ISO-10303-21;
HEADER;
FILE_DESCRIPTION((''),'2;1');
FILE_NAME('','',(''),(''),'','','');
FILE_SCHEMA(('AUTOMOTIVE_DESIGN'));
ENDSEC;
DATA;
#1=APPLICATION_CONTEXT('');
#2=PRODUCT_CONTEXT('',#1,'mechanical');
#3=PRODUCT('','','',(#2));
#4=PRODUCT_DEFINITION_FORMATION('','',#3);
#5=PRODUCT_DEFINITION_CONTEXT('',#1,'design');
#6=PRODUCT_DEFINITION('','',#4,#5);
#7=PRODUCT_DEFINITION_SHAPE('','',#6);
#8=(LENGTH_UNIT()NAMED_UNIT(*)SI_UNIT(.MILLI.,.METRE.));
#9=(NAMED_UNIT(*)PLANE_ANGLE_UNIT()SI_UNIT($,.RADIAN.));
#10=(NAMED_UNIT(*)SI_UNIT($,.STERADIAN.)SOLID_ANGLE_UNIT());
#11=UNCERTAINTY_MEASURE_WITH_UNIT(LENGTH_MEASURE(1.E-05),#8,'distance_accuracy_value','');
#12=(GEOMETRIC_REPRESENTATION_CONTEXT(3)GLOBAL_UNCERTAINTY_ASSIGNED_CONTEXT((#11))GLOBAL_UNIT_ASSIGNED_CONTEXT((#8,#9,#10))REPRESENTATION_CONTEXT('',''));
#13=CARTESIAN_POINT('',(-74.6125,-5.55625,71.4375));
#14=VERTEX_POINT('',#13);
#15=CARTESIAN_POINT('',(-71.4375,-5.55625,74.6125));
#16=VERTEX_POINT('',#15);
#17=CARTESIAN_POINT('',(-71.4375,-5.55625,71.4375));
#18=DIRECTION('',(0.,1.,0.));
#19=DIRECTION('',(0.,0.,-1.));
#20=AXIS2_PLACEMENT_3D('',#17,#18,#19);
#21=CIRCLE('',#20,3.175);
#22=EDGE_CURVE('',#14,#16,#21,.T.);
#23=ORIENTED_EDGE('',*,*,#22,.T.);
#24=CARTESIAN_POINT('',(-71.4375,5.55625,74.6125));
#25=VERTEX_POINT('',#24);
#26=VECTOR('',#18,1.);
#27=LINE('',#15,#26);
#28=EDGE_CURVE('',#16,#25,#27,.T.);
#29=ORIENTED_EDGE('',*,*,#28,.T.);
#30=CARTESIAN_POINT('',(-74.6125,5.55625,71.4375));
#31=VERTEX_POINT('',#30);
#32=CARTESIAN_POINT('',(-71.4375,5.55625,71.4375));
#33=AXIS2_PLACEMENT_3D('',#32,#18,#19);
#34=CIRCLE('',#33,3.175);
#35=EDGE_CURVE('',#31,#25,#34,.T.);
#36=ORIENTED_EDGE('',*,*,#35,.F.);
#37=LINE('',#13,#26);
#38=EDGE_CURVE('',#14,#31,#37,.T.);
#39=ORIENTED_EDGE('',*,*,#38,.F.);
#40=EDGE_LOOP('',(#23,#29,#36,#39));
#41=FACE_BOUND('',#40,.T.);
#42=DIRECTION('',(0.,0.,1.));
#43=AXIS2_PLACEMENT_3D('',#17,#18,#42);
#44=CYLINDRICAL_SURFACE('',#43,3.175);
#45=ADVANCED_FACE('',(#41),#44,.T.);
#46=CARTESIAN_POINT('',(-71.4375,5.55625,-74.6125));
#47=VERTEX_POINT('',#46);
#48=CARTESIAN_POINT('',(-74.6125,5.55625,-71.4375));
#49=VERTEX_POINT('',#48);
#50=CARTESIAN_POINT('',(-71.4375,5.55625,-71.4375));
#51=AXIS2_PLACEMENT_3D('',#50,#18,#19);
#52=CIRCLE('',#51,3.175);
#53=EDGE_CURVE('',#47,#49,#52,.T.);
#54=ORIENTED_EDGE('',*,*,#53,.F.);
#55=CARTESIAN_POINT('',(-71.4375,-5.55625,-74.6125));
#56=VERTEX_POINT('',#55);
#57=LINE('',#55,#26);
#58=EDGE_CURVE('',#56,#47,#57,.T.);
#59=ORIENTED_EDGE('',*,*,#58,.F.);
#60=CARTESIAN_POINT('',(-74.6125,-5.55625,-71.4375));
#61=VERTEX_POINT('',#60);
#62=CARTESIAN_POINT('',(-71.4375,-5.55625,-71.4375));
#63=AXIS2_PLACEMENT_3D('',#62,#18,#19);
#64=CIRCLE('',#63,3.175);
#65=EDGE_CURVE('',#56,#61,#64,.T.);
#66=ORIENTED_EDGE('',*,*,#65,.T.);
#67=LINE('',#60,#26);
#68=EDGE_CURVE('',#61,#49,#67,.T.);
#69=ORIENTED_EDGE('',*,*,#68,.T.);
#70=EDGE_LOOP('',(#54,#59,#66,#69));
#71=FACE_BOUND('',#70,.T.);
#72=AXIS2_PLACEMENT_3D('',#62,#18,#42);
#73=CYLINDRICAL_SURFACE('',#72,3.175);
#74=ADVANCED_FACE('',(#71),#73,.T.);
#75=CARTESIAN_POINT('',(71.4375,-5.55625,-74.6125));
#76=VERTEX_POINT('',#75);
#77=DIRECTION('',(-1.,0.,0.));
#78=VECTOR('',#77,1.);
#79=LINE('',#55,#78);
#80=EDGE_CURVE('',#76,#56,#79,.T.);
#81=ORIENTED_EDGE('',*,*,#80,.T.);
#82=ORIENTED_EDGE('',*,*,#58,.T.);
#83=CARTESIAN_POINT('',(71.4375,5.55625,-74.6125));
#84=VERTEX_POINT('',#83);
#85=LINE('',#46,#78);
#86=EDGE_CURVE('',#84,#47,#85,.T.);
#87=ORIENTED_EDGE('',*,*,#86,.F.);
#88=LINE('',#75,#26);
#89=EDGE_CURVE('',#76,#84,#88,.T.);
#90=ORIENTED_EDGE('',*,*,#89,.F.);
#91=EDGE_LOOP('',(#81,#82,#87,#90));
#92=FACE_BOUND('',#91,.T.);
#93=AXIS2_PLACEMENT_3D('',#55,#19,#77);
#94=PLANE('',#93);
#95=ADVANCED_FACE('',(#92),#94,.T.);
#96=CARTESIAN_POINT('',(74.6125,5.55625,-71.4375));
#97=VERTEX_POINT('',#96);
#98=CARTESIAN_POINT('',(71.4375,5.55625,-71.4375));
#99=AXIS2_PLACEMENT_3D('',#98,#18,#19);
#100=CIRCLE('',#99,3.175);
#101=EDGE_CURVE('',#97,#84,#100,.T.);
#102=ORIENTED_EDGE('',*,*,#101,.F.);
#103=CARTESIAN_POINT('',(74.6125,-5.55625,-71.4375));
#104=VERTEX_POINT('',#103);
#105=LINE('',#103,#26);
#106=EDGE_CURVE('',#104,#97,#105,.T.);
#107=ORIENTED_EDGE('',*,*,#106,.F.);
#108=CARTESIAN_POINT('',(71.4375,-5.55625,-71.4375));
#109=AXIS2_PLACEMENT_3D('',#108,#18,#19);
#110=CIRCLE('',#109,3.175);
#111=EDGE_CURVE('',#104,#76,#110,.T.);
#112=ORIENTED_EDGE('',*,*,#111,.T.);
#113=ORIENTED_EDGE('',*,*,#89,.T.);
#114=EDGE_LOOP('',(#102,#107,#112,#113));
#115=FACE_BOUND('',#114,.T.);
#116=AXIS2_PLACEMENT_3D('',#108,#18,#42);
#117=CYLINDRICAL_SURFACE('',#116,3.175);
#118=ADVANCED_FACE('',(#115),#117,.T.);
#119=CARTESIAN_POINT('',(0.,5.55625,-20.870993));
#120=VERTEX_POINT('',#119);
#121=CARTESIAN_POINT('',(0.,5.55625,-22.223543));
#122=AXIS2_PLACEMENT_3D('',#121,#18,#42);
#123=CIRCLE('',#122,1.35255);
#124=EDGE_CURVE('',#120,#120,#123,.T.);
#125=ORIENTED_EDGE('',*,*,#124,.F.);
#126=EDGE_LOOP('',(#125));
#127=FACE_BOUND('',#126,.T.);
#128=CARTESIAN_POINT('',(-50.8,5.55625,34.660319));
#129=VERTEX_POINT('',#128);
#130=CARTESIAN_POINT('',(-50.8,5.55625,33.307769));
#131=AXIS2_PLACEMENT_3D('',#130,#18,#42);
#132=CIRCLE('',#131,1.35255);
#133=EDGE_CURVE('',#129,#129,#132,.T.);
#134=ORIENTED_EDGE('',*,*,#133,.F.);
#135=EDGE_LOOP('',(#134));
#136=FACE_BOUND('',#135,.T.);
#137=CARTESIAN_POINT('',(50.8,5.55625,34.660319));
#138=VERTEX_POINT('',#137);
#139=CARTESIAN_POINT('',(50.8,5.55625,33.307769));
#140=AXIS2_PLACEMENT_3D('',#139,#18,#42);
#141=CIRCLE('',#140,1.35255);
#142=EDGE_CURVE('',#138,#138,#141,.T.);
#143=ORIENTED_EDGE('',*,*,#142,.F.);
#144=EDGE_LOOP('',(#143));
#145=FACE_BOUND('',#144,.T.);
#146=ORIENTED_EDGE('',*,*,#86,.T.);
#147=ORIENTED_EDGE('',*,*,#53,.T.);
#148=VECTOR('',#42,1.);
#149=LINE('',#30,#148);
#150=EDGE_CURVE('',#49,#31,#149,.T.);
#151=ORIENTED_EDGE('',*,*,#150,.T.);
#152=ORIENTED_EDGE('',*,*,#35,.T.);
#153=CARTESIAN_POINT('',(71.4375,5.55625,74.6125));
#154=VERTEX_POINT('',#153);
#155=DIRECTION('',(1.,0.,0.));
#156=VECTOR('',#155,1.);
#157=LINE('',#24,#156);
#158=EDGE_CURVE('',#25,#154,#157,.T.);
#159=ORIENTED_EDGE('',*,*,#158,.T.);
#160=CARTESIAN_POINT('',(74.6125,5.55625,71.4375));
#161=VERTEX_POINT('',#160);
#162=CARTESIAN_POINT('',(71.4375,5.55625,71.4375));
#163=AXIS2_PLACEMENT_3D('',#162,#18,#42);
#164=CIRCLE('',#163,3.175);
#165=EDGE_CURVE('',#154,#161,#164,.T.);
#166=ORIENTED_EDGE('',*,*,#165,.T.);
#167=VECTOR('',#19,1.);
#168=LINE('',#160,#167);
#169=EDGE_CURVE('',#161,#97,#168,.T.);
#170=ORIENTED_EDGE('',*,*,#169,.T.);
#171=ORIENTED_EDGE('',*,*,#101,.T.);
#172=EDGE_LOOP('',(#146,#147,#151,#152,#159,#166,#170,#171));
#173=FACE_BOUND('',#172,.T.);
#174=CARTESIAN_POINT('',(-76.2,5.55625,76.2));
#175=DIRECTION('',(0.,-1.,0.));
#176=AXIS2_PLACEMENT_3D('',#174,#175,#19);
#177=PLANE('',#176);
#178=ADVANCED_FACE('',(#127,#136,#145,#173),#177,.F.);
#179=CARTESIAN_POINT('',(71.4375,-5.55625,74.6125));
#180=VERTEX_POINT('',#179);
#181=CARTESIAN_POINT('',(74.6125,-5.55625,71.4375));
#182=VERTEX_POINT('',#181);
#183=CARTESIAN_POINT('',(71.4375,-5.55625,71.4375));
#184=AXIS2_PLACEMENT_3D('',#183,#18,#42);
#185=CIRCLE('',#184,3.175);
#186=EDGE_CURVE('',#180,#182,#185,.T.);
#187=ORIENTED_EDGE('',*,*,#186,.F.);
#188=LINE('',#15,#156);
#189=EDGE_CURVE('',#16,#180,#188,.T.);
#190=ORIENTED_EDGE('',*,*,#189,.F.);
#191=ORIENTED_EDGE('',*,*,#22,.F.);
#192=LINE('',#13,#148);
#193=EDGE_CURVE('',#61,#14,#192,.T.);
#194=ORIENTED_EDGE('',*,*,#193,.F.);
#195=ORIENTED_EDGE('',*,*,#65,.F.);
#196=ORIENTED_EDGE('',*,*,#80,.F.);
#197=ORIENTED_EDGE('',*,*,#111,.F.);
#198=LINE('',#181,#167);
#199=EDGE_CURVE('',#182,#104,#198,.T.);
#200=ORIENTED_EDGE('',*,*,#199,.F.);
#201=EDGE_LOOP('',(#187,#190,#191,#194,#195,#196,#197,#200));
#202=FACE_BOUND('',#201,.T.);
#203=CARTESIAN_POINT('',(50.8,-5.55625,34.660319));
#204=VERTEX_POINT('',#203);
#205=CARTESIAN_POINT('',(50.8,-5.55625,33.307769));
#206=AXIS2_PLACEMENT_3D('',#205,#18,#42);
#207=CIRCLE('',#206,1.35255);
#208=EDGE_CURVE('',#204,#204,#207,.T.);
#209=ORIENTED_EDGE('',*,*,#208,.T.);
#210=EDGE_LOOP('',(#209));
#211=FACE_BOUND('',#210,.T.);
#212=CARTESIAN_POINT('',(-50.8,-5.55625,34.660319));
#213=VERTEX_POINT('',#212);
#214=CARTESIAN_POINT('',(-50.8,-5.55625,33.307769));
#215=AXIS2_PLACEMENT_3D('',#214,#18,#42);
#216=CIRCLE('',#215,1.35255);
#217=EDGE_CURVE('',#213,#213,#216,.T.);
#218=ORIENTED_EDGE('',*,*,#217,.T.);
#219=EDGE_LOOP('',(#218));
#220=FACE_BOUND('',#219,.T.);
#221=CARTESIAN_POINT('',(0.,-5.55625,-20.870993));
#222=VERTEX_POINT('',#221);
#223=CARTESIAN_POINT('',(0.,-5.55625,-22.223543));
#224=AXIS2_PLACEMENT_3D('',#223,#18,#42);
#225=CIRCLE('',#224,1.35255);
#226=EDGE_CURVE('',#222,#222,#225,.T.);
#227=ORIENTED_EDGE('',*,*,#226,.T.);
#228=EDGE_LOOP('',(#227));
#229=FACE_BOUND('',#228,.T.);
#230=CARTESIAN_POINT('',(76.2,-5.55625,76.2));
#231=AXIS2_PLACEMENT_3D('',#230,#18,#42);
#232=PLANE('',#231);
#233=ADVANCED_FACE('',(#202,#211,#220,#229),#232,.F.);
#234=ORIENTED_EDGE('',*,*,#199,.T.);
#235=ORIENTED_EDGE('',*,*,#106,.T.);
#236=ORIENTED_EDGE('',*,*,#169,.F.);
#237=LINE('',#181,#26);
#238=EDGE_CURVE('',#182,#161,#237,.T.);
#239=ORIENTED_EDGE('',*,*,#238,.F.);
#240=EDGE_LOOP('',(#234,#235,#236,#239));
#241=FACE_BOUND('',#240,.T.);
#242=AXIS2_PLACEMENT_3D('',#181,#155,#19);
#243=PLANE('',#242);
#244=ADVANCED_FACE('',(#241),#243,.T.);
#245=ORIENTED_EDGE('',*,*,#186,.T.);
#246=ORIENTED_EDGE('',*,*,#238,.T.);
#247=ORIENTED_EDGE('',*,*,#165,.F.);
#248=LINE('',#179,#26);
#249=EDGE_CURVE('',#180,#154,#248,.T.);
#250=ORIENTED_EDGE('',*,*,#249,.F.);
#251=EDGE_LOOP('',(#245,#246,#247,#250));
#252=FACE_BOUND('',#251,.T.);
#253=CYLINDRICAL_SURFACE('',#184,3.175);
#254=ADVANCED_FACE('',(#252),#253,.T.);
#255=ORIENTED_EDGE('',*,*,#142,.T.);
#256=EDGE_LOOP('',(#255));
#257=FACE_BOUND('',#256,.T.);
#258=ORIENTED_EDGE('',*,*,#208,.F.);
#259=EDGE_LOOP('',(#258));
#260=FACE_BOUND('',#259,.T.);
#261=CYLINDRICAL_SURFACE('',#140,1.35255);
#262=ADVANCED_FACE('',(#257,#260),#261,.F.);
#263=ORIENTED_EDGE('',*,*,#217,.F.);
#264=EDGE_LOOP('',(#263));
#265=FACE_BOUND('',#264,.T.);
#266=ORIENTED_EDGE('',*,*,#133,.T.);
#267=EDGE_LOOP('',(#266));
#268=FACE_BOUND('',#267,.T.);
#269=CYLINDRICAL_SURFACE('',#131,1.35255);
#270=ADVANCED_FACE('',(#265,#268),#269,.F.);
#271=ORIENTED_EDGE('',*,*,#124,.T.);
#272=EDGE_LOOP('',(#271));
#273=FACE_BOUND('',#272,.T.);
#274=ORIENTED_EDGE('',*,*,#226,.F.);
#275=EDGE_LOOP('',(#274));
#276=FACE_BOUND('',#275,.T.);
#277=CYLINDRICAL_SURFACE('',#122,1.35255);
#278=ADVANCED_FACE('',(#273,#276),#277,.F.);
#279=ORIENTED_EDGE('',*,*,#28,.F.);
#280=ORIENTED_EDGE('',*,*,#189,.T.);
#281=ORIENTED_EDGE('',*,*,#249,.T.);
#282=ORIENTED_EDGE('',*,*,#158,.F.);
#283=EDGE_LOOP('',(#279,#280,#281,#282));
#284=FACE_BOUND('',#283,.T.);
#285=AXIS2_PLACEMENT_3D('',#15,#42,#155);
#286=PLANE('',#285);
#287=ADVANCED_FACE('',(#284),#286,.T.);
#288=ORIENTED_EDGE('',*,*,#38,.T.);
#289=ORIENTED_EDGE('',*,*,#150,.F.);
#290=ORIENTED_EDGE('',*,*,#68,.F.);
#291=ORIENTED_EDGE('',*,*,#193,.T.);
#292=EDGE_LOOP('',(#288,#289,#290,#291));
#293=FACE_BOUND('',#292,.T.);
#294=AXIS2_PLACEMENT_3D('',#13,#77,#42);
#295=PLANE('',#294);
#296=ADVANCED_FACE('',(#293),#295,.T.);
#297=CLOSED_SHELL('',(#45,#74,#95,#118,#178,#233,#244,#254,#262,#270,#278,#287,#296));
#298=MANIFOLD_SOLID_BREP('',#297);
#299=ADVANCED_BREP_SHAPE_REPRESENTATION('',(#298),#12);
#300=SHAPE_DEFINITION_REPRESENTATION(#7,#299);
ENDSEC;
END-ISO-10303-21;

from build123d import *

# Parameters (mm, degrees)
SKETCH3_W             = 152.4
SKETCH3_H             = 11.1125
BOSS_EXTRUDE1_DEPTH   = 76.2
F_6_32_TAPPED_HOLE1_D = 2.7051
SKETCH6_OUTSIDE_W     = 197.562
SKETCH6_OUTSIDE_H     = 197.562
CUT_EXTRUDE1_DEPTH    = 109.334517381


with BuildPart() as part:
    # Sketch3 → Boss-Extrude1 (new, symmetric)
    with BuildSketch(Plane.XY):
        Rectangle(SKETCH3_W, SKETCH3_H)
    extrude(amount=BOSS_EXTRUDE1_DEPTH, both=True)

    # #6-32 Tapped Hole1 (through all)
    with Locations(Plane(origin=(0, 5.55625, 0), x_dir=(1, 0, 0), z_dir=(0, 1, 0))):
        with Locations((0, 22.223542588), (50.8, -33.30776944), (-50.8, -33.30776944)):
            Hole(F_6_32_TAPPED_HOLE1_D / 2)

    # Sketch6 outside → Cut-Extrude1 (cut, through all)
    with BuildSketch(Plane(origin=(0, 5.55625, 0), x_dir=(1, 0, 0), z_dir=(0, 1, 0))):
        Rectangle(SKETCH6_OUTSIDE_W, SKETCH6_OUTSIDE_H)
        with BuildLine():
            Line((-71.4375, -74.6125), (71.4375, -74.6125))
            ThreePointArc((71.4375, -74.6125), (73.68256403, -73.68256403), (74.6125, -71.4375))
            Line((74.6125, -71.4375), (74.6125, 71.4375))
            ThreePointArc((74.6125, 71.4375), (73.68256403, 73.68256403), (71.4375, 74.6125))
            Line((71.4375, 74.6125), (-71.4375, 74.6125))
            ThreePointArc((-71.4375, 74.6125), (-73.68256403, 73.68256403), (-74.6125, 71.4375))
            Line((-74.6125, 71.4375), (-74.6125, -71.4375))
            ThreePointArc((-74.6125, -71.4375), (-73.68256403, -73.68256403), (-71.4375, -74.6125))
        make_face(mode=Mode.SUBTRACT)
    extrude(amount=-CUT_EXTRUDE1_DEPTH, mode=Mode.SUBTRACT)


solid = part.part
